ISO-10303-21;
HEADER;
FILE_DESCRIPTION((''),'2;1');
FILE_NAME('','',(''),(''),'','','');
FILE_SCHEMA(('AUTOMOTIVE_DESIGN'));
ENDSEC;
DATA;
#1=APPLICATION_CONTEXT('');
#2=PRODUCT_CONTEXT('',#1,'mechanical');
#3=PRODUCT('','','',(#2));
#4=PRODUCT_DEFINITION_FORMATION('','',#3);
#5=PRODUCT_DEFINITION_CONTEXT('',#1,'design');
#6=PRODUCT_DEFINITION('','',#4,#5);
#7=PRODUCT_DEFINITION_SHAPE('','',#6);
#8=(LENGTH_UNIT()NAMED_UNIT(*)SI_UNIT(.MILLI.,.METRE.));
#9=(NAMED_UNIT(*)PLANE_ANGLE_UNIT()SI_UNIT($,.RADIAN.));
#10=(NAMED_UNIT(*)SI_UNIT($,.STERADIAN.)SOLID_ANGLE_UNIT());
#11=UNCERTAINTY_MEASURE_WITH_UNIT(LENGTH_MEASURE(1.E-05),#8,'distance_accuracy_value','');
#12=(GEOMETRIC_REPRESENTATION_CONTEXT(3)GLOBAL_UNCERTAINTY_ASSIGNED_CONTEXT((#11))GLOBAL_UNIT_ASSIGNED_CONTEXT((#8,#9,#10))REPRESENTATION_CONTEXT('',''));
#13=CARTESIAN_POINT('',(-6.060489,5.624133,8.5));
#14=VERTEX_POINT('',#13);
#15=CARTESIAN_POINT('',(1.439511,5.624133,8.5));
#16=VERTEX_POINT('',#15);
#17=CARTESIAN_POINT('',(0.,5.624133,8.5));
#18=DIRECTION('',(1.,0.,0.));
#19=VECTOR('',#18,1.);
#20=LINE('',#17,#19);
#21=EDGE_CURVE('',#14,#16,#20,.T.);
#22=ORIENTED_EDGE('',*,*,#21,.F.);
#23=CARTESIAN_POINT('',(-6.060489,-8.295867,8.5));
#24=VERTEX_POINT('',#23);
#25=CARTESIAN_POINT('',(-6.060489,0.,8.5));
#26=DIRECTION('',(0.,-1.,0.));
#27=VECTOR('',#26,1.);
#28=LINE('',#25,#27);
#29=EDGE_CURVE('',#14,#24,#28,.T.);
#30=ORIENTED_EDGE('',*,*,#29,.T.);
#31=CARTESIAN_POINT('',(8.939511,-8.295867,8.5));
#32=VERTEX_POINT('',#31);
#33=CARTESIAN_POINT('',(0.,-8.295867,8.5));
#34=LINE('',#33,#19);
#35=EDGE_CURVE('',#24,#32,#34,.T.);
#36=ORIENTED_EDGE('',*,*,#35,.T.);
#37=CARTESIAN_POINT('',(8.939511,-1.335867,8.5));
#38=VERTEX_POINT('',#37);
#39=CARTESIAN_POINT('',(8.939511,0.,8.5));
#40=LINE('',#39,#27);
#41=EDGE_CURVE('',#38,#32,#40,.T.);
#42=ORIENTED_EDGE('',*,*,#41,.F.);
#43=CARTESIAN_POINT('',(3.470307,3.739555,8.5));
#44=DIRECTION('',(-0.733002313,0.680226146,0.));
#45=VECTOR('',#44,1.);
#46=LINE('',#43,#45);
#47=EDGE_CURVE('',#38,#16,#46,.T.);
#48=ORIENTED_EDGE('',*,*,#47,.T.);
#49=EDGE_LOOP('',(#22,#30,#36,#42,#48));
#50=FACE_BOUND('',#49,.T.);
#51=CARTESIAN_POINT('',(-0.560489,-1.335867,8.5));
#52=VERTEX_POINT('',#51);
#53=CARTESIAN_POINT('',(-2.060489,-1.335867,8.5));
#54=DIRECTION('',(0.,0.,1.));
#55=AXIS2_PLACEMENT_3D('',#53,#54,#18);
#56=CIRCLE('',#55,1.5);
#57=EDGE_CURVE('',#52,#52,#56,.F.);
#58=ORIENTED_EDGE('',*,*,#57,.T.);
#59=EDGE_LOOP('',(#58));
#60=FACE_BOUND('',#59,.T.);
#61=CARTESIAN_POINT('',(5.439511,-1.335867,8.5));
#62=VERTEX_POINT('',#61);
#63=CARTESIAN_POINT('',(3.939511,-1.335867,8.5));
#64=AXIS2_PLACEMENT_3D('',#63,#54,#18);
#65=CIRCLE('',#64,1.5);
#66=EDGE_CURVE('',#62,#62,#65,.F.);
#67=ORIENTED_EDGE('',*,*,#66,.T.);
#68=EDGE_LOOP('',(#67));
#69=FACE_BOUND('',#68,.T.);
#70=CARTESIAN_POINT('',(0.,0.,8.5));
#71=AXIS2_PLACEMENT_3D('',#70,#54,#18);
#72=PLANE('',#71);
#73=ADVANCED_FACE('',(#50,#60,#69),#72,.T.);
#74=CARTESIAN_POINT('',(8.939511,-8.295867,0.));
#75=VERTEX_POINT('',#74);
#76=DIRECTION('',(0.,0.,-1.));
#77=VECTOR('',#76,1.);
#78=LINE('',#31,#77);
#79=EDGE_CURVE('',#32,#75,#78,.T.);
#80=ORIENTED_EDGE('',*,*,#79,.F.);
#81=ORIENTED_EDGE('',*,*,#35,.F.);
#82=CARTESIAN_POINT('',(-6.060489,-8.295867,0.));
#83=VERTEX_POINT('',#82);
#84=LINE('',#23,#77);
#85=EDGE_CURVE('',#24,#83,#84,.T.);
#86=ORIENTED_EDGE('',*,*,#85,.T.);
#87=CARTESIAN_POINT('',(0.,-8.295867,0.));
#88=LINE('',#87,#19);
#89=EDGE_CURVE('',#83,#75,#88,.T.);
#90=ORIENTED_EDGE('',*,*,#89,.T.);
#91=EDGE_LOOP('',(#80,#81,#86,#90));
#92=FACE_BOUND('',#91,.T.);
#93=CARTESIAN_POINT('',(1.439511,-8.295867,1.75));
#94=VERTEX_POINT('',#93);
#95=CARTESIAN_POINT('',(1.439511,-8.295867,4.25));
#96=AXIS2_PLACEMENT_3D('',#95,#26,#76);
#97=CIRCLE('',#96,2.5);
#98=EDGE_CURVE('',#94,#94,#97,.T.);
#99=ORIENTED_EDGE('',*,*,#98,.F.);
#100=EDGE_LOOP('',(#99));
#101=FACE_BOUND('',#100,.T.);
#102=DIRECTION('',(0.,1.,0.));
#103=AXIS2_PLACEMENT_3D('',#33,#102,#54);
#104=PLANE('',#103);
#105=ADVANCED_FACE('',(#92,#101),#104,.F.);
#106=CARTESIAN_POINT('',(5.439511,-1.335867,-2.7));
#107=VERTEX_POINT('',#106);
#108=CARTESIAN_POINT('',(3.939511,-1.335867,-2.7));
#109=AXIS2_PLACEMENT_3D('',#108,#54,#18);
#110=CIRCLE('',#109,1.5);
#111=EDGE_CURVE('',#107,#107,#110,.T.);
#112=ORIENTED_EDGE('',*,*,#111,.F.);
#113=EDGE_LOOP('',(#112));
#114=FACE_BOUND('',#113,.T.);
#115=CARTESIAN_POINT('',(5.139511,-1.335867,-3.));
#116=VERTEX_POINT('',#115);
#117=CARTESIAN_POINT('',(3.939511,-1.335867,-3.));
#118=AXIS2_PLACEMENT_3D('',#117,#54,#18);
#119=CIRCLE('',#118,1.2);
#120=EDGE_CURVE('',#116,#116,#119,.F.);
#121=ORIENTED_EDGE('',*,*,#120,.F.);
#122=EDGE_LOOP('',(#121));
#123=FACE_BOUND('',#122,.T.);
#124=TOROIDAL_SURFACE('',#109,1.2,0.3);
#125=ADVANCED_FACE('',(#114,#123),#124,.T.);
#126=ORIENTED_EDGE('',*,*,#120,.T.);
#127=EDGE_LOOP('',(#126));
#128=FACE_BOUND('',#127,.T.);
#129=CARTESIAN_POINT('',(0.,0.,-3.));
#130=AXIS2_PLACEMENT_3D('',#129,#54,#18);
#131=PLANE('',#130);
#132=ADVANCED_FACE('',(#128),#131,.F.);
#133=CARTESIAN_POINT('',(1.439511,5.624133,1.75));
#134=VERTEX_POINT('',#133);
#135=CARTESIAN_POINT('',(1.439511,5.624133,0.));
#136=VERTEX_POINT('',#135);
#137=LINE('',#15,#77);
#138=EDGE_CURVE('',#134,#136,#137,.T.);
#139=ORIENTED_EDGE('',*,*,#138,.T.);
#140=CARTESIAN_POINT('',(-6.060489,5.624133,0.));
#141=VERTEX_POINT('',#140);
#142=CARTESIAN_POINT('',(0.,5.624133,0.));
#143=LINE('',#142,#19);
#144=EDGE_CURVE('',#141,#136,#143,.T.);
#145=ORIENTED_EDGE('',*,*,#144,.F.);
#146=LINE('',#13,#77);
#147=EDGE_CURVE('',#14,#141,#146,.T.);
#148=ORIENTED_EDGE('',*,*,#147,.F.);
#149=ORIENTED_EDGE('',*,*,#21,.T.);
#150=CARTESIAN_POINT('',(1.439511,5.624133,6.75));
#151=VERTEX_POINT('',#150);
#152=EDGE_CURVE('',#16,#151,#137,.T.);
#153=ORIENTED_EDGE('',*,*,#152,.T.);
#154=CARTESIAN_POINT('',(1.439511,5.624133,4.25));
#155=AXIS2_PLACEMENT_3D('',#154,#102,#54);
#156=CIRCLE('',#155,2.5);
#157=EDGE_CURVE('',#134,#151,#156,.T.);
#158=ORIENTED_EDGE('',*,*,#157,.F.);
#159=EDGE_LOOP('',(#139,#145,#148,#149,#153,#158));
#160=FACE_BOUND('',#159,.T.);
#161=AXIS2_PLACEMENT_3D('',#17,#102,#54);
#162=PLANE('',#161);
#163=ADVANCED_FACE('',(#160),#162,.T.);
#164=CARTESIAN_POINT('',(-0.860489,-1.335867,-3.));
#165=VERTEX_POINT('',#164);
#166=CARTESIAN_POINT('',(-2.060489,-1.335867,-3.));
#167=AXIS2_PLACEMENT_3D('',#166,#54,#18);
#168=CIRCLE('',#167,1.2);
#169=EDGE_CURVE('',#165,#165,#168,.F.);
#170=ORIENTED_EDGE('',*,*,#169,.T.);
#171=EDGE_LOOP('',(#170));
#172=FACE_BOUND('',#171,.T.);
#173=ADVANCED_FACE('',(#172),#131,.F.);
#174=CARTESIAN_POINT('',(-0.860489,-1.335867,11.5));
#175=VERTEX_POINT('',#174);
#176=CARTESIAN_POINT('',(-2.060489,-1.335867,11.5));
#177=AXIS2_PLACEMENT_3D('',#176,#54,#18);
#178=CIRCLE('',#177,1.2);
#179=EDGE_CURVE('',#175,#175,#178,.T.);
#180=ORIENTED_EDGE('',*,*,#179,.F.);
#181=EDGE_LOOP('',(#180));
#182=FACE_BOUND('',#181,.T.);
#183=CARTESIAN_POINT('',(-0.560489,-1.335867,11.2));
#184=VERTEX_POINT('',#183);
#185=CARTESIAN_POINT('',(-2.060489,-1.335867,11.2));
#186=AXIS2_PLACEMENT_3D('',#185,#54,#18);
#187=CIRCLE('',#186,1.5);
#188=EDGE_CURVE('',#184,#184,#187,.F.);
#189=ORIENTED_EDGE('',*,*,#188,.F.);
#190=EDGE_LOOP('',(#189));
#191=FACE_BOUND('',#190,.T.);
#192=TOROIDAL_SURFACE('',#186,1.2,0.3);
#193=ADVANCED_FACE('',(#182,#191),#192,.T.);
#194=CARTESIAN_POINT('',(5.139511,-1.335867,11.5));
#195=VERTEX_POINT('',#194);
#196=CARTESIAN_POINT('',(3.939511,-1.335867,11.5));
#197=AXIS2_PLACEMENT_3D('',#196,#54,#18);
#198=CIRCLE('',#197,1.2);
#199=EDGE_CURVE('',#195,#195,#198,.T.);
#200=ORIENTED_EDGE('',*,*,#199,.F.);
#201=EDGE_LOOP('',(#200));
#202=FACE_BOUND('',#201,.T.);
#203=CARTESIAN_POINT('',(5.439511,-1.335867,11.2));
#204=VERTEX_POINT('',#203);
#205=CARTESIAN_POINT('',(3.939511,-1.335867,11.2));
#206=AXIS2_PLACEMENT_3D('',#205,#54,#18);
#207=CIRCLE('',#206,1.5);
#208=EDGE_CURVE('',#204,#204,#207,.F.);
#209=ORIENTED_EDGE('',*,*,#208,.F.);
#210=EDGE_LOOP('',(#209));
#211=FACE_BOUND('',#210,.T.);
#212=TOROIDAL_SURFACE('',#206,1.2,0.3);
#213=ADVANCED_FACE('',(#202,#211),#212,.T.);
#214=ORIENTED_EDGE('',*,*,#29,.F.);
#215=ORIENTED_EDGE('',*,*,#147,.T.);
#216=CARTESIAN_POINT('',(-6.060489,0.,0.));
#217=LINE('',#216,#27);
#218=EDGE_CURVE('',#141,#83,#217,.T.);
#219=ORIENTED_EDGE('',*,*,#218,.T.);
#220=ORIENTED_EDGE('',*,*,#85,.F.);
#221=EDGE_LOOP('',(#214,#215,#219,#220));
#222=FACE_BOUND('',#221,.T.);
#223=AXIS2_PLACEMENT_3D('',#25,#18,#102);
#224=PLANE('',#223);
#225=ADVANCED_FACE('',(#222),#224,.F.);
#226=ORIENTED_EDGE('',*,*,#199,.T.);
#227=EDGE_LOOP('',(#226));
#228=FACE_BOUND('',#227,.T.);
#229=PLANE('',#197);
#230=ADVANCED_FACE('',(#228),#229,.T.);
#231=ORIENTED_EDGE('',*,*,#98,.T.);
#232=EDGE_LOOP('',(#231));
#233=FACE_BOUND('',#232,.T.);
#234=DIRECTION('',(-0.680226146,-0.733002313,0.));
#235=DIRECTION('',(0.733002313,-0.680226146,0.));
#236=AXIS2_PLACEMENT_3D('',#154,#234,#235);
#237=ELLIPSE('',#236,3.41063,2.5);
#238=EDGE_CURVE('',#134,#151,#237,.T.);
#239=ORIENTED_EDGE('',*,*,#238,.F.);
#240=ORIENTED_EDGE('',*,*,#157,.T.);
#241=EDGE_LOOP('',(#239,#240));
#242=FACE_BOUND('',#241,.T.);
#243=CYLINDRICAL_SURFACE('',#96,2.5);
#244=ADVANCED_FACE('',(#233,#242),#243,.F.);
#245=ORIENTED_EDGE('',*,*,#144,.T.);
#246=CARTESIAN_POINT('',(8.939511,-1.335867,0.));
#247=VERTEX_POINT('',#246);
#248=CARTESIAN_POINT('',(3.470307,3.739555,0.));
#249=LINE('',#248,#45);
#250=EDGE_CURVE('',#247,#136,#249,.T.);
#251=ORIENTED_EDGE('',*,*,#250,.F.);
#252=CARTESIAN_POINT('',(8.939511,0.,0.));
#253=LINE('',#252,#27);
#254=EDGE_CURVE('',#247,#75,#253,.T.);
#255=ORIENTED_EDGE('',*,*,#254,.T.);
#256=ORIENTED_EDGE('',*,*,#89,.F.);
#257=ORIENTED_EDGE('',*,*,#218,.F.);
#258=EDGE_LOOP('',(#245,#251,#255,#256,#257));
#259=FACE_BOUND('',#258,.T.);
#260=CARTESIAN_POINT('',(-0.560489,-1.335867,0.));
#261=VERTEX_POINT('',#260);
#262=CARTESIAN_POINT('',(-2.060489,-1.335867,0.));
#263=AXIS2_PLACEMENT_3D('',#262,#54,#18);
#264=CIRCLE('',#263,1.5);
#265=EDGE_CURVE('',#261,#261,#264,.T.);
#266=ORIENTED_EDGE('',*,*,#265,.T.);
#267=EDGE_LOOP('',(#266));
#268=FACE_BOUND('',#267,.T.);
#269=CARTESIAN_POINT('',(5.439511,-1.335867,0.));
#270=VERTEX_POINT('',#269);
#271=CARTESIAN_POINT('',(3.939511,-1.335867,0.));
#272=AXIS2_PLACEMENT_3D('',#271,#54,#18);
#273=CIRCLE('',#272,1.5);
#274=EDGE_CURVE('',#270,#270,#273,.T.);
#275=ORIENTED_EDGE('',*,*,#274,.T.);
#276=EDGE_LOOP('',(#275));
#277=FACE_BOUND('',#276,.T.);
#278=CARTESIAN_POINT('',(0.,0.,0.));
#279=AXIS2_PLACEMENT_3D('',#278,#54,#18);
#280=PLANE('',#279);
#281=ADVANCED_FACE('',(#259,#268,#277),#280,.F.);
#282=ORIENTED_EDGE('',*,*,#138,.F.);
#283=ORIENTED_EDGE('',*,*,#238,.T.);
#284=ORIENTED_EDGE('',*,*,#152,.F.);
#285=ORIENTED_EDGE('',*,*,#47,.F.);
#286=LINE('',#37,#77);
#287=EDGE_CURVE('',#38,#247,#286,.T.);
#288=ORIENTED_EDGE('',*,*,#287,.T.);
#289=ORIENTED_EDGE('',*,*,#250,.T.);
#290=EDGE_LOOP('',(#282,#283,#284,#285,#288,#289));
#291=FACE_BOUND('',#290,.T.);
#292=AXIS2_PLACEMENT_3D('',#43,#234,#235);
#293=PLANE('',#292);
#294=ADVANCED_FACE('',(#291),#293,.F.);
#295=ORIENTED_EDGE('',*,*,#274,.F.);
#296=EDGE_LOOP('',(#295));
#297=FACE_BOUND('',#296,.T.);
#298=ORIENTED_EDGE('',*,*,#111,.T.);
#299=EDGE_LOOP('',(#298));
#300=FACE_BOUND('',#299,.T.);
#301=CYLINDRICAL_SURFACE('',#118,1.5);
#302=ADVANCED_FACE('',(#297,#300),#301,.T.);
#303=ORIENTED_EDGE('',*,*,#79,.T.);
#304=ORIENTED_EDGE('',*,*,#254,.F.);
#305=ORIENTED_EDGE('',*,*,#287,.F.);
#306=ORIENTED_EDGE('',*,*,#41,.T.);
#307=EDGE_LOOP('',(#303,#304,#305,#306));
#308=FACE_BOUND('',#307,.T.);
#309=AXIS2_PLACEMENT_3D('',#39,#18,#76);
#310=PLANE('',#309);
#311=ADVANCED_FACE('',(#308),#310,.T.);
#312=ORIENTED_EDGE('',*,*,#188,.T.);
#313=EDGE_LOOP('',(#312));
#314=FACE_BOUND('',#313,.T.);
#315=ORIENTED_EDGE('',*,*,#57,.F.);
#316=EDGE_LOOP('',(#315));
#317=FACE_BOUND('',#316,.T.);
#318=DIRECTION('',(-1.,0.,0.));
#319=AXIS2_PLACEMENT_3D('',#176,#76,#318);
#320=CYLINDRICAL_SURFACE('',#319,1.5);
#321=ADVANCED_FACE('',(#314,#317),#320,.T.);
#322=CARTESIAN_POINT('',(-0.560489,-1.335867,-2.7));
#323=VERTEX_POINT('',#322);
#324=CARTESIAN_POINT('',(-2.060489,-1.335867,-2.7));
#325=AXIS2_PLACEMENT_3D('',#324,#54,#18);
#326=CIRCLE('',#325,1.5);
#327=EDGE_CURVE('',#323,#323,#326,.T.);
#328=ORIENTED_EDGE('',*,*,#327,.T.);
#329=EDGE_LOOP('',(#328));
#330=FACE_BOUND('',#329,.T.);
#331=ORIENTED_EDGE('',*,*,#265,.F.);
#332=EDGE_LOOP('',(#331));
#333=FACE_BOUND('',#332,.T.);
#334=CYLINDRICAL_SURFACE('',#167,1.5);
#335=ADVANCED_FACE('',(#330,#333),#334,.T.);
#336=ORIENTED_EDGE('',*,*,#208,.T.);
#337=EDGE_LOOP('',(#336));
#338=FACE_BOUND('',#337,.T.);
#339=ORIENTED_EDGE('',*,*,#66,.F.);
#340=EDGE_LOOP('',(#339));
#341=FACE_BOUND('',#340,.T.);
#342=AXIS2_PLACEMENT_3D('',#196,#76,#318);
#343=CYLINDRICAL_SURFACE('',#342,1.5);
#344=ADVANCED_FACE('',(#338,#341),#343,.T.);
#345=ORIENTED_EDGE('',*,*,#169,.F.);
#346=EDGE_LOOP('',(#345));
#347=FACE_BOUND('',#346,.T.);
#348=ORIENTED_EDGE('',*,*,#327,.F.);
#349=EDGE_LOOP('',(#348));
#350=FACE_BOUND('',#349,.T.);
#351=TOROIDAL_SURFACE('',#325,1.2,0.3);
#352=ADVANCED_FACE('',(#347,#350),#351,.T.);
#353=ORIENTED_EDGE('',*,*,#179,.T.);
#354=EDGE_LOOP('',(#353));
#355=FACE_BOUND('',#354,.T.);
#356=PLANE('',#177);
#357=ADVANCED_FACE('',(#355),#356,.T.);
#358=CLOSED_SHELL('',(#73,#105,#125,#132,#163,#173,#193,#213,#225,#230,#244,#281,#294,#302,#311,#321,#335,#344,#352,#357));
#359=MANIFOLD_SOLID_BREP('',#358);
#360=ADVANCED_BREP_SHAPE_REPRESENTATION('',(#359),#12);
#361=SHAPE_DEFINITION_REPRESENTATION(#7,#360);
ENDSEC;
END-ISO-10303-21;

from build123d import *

# Parameters (mm, degrees)
SKETCH_1_R         = 1.5
EXTRUDE_1_DEPTH    = 8.5
SKETCH_1_3_R       = 1.5
EXTRUDE_2_DEPTH    = 3
EXTRUDE_START      = 11.5
SKETCH_1_4_R       = 1.5
EXTRUDE_3_DEPTH    = 11.5
HOLE_WIZARD_M6_1_D = 5
FILLET_1_R         = 0.3


with BuildPart() as part:
    # 스케치1 → 보스-돌출1 (new body)
    # profile 1 of 3: a face of its own
    with BuildSketch(Plane.XY):
        Polygon((8.939511347, -1.33586653), (8.939511347, -8.29586653), (-6.060488653, -8.29586653), (-6.060488653, 5.62413347), (1.439511347, 5.62413347), align=None)
        with Locations((3.939511347, -1.33586653)):
            Circle(SKETCH_1_R, mode=Mode.SUBTRACT)
        with Locations((-2.060488653, -1.33586653)):
            Circle(SKETCH_1_R, mode=Mode.SUBTRACT)
    # profile 2 of 3: a face of its own
    with BuildSketch(Plane.XY):
        with Locations((3.939511347, -1.33586653)):
            Circle(SKETCH_1_R)
    # profile 3 of 3: a face of its own
    with BuildSketch(Plane.XY):
        with Locations((-2.060488653, -1.33586653)):
            Circle(SKETCH_1_R)
    extrude(amount=EXTRUDE_1_DEPTH)

    # 스케치1<3> → 보스-돌출2 (add)
    with BuildSketch(Plane.XY):
        with Locations((3.939511347, -1.33586653)):
            Circle(SKETCH_1_3_R)
        with Locations((-2.060488653, -1.33586653)):
            Circle(SKETCH_1_3_R)
    extrude(amount=-EXTRUDE_2_DEPTH)

    # 스케치1<4> → 보스-돌출3 (add)
    with BuildSketch(Plane.XY.offset(EXTRUDE_START)):
        with Locations((-2.060488653, -1.33586653)):
            Circle(SKETCH_1_4_R)
        with Locations((3.939511347, -1.33586653)):
            Circle(SKETCH_1_4_R)
    extrude(amount=-EXTRUDE_3_DEPTH)

    # M6 탭을 위한 탭 드릴1 (through all)
    with Locations(Plane(origin=(1.439511347, -8.29586653, 4.25), x_dir=(0, 0, -1), z_dir=(0, -1, 0))):
        with Locations((0, 0)):
            Hole(HOLE_WIZARD_M6_1_D / 2)

    # 필렛1
    fillet_1_edges = [part.edges().sort_by_distance(p)[0] for p in [
        (2.439511347, -1.33586653, -3),
        (-3.560488653, -1.33586653, -3),
        (-3.560488653, -1.33586653, 11.5),
        (2.439511347, -1.33586653, 11.5),
    ]]
    fillet(fillet_1_edges, radius=FILLET_1_R)


solid = part.part
